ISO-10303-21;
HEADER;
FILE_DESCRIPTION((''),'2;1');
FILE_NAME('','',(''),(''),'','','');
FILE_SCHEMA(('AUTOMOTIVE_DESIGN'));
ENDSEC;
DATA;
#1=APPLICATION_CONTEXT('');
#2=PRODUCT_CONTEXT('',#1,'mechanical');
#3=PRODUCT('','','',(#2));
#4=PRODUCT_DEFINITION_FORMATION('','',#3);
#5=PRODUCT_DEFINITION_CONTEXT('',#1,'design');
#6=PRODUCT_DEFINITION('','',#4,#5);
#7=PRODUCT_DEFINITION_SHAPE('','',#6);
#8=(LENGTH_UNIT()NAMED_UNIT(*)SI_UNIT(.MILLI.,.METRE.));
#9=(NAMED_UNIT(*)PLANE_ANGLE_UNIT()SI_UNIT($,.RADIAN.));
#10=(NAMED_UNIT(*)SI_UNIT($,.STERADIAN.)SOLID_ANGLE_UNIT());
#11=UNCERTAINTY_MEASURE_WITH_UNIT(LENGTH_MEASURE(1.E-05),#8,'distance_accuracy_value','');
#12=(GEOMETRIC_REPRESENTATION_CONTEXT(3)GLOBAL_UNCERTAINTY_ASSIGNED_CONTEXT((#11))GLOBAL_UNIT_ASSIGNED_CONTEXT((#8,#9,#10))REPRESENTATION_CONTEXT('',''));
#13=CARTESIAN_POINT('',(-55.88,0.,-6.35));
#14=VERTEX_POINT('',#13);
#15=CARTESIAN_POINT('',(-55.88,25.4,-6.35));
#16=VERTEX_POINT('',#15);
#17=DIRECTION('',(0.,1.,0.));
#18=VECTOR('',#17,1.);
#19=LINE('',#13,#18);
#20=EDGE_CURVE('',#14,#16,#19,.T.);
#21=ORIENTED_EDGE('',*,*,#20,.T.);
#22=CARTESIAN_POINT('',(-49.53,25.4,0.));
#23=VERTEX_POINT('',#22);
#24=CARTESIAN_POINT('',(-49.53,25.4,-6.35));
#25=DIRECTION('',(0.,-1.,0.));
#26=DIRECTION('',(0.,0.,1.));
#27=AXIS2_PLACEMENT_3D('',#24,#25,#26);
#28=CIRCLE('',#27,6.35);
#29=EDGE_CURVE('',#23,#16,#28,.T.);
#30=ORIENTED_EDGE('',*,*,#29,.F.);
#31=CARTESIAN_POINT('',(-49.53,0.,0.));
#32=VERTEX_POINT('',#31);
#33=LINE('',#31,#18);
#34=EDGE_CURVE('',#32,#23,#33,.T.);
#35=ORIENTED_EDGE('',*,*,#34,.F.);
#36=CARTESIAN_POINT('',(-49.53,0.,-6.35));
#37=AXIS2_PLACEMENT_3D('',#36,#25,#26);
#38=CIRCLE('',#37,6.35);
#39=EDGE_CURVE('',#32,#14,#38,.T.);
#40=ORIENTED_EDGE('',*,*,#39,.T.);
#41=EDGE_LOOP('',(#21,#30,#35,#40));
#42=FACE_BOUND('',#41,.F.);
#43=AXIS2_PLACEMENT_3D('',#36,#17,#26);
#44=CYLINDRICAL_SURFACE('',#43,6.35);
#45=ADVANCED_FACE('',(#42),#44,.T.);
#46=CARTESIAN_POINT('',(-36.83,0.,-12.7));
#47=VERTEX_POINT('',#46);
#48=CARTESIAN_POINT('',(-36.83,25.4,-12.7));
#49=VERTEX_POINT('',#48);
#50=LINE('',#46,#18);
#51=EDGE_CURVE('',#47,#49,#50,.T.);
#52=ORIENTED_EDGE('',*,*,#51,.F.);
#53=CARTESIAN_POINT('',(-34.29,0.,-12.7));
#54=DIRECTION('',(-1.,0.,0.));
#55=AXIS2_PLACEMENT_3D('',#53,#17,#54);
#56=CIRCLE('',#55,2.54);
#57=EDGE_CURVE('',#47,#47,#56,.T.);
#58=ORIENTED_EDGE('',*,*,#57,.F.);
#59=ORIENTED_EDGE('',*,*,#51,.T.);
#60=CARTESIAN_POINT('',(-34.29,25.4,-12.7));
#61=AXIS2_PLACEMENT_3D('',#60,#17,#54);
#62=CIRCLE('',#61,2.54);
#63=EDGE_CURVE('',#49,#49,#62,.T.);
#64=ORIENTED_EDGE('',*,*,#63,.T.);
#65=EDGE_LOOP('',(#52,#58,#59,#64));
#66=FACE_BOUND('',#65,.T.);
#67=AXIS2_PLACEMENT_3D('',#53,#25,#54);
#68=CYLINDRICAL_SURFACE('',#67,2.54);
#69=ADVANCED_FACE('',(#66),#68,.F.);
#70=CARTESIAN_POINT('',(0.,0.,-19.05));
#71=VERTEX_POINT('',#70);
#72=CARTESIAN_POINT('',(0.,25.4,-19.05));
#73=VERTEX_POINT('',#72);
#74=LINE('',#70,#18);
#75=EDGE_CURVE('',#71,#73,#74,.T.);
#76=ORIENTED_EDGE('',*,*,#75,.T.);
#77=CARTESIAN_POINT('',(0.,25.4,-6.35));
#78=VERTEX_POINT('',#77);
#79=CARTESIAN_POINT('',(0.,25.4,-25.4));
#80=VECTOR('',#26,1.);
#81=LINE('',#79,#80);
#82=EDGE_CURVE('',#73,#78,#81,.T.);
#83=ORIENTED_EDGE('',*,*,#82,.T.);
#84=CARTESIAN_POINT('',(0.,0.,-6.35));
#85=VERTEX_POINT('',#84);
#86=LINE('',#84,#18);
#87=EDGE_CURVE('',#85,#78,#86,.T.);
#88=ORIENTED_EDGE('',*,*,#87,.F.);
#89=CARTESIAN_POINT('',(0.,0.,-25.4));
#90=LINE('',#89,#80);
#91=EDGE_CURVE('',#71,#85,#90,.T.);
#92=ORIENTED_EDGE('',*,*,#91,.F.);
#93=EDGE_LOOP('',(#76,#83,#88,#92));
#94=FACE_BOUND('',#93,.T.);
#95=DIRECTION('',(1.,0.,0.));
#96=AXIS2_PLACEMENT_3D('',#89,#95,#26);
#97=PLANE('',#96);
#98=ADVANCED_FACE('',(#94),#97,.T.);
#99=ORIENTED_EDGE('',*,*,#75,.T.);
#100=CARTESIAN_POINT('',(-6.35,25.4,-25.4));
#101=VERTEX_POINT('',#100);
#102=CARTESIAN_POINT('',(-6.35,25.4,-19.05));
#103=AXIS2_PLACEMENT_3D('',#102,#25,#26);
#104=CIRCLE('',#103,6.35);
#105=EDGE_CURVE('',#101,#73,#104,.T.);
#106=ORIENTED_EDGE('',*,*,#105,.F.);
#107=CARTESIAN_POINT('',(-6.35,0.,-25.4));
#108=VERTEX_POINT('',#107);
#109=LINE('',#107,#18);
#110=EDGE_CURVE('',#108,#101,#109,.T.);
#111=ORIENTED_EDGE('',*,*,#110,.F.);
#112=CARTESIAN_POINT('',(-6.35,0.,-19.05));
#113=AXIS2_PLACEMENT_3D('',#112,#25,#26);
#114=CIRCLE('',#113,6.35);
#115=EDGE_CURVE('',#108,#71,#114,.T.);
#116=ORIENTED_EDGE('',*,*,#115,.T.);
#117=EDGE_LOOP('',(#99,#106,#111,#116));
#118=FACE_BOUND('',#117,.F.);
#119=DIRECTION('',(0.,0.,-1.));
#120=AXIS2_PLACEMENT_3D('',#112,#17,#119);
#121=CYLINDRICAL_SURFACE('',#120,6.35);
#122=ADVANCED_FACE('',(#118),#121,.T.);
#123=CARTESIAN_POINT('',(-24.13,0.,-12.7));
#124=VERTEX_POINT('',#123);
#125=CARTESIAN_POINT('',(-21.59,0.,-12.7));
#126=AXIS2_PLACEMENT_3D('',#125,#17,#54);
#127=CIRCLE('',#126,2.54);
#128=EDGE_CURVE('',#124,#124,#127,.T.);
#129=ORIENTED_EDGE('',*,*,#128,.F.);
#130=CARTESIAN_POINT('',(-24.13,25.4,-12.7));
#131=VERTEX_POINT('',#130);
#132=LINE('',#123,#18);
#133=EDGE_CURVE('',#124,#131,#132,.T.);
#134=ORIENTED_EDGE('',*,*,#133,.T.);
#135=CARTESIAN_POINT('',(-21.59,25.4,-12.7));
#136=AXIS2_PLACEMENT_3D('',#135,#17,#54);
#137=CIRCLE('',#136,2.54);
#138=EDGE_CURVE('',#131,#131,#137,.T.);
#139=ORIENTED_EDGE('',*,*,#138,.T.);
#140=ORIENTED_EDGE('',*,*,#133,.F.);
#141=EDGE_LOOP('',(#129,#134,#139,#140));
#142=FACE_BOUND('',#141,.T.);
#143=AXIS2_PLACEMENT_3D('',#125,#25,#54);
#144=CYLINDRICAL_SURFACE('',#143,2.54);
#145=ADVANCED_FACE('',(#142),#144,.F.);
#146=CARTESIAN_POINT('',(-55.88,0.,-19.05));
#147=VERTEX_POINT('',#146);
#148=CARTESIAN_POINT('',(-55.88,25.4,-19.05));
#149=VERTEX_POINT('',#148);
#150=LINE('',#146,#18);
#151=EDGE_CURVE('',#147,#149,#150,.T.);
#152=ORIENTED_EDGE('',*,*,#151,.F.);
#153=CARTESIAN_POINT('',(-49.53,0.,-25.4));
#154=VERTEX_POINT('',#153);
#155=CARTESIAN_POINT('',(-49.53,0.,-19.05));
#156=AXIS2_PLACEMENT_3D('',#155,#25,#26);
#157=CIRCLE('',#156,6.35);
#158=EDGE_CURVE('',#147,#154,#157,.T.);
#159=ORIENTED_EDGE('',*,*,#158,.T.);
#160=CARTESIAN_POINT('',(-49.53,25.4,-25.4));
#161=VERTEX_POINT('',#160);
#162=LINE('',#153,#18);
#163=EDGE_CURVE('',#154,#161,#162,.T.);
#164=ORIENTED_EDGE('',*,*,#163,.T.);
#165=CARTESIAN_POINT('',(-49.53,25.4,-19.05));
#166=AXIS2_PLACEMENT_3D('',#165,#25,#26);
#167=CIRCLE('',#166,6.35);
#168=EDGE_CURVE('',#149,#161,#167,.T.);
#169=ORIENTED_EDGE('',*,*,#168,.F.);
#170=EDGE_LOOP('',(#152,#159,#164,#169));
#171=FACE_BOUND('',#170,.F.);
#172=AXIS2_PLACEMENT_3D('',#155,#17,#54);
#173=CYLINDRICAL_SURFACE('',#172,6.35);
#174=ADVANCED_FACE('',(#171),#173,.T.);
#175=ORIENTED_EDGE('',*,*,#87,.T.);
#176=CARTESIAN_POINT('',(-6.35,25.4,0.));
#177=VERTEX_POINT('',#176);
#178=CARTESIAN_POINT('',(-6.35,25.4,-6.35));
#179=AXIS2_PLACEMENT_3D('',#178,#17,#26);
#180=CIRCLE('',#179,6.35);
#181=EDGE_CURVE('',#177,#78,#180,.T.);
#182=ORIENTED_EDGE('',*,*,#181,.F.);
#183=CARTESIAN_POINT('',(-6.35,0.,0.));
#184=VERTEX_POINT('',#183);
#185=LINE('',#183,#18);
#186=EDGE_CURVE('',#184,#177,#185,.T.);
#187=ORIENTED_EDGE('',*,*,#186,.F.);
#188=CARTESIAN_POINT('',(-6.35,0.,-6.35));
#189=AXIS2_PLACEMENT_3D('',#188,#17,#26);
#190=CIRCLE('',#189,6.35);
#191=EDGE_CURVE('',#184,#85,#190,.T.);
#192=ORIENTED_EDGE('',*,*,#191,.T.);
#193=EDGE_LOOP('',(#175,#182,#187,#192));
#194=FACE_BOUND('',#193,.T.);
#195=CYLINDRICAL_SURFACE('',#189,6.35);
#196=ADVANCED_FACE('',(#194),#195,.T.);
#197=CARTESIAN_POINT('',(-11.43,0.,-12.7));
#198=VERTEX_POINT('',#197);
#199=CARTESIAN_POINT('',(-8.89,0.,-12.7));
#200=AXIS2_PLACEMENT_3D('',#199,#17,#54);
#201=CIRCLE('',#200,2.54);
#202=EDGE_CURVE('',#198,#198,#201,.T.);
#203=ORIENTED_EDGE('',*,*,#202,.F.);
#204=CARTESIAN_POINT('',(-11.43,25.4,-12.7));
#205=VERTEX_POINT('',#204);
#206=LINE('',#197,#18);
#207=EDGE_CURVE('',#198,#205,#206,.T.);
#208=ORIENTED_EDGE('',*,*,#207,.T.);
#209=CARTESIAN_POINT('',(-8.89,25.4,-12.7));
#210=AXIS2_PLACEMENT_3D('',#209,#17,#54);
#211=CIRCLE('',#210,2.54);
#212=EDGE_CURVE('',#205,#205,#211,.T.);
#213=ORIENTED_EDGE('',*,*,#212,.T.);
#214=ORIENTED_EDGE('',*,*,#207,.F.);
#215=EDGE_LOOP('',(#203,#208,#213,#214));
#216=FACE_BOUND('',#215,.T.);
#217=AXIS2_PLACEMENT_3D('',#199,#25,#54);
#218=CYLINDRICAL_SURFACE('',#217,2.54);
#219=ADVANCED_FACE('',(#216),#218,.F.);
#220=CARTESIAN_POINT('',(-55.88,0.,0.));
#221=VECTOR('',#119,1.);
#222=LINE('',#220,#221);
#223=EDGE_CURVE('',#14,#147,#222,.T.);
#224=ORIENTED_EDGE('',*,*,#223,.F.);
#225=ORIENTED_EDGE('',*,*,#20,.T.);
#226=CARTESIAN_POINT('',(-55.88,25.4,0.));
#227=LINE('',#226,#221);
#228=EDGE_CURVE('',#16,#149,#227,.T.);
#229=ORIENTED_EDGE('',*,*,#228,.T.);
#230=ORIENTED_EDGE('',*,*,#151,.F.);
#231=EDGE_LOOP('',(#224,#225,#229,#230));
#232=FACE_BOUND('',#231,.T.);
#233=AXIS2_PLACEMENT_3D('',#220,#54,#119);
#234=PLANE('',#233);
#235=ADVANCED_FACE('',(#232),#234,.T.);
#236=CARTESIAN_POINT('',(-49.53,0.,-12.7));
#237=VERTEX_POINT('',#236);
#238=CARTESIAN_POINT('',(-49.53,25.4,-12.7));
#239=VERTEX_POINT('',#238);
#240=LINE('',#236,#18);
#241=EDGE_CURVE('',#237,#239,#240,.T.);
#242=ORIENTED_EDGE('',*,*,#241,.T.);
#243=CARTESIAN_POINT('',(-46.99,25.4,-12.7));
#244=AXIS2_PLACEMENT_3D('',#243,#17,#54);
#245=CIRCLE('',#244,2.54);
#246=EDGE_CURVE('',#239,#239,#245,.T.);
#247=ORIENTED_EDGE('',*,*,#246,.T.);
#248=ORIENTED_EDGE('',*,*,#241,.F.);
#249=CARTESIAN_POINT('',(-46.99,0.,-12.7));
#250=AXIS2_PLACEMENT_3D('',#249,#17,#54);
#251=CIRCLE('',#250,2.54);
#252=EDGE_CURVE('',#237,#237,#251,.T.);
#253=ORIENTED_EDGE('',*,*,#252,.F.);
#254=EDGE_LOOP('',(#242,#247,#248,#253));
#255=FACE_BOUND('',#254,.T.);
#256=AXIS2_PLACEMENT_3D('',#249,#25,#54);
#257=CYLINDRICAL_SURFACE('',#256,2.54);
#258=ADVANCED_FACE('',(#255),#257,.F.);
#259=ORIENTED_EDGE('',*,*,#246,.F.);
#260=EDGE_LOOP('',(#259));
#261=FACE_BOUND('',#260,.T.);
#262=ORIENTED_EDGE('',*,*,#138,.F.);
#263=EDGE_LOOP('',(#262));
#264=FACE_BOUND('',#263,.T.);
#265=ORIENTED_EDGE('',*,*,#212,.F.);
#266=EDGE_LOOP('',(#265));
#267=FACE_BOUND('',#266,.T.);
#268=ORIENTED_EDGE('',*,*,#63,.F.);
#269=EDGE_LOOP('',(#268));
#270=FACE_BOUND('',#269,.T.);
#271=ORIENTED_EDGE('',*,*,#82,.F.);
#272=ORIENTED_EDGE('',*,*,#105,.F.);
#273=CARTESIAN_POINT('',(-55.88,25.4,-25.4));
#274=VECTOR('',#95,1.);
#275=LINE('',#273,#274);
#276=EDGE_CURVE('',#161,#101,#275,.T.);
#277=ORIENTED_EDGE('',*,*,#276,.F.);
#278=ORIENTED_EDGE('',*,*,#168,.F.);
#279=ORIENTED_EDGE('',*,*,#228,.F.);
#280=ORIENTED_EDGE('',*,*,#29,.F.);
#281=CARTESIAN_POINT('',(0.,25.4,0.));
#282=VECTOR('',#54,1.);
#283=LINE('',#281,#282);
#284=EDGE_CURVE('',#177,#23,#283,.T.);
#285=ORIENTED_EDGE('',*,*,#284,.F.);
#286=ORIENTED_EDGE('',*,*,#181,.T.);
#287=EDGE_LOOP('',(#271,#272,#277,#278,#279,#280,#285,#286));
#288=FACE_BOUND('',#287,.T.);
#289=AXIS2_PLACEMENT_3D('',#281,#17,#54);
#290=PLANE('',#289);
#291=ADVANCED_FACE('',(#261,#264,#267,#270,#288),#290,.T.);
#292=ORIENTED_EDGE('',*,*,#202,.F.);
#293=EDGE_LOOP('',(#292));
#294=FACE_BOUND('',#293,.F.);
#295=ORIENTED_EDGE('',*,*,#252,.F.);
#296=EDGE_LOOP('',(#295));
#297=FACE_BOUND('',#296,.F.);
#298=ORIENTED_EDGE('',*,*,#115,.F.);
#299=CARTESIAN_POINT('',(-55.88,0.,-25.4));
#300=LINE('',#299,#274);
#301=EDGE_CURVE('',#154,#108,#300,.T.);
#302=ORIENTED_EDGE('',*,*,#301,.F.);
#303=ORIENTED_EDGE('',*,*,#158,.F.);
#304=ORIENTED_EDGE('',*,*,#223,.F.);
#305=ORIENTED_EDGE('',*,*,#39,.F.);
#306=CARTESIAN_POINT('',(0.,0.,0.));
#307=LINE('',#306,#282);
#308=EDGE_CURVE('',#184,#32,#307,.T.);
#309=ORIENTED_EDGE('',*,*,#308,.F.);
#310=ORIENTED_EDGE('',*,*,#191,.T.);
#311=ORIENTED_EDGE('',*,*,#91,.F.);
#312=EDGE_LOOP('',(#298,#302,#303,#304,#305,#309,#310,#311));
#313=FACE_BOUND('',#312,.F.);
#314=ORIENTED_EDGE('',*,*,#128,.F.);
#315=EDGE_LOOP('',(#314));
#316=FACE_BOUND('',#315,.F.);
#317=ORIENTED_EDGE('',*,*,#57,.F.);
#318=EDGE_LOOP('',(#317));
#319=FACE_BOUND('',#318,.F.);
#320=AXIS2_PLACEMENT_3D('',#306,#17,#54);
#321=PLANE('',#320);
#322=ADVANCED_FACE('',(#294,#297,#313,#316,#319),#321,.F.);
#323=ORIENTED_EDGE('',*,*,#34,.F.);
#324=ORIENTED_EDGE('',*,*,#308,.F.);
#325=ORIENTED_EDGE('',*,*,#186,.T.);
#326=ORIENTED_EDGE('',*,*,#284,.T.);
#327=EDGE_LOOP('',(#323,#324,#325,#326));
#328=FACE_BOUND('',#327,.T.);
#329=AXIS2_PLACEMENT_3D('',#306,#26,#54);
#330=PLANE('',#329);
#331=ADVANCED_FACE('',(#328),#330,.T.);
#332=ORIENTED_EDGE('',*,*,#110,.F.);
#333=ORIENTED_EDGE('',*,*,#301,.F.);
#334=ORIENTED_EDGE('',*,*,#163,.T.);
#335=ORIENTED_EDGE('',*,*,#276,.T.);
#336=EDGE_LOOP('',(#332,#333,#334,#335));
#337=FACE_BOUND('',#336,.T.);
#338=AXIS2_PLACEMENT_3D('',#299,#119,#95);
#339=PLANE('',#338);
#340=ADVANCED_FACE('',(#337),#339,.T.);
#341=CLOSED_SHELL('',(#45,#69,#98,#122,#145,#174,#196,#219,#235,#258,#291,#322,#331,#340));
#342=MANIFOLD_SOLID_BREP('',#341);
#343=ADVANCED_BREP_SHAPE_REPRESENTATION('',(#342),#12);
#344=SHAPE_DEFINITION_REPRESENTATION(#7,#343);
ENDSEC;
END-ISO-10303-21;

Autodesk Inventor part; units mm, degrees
ref_plane "YZ Plane" through (0, 0, 0) normal (1, 0, 0) x (0, 1, 0)
ref_plane "XZ Plane" through (0, 0, 0) normal (0, 1, 0) x (-1, 0, 0)
ref_plane "XY Plane" through (0, 0, 0) normal (0, 0, 1) x (1, 0, 0)
sketch "Sketch1" plane through (0, 0, 0) normal (0, 1, 0) x (-1, 0, 0)
  line L0 (0, 0) -> (55.88, 0)
  line L1 (55.88, 0) -> (55.88, -25.4)
  line L2 (55.88, -25.4) -> (0, -25.4)
  line L3 (0, -25.4) -> (0, 0)
  circle A0 centre (46.99, -12.7) radius 2.54
  circle A1 centre (34.29, -12.7) radius 2.54
  circle A2 centre (21.59, -12.7) radius 2.54
  circle A3 centre (8.89, -12.7) radius 2.54
  line L4 (55.88, -12.7) -> (0, -12.7) construction
  dimension "d0" = 25.4
  dimension "d1" = 55.88
  dimension "d2" = 5.08
  dimension "d3" = 12.7
  dimension "d4" = 12.7
  dimension "d5" = 12.7
  dimension "d6" = 12.7
  dimension "d7" = 8.89
extrude "Extrusion1" add sketch "Sketch1" along normal blind 25.4
fillet "Fillet1" radius 6.35 4 edges at (-55.88, 12.7, 0) (-55.88, 12.7, -25.4) (0, 12.7, -25.4) (0, 12.7, 0)
properties part number "ELEV_020_BILLET1(Shit)" material "Aluminum 6061"
